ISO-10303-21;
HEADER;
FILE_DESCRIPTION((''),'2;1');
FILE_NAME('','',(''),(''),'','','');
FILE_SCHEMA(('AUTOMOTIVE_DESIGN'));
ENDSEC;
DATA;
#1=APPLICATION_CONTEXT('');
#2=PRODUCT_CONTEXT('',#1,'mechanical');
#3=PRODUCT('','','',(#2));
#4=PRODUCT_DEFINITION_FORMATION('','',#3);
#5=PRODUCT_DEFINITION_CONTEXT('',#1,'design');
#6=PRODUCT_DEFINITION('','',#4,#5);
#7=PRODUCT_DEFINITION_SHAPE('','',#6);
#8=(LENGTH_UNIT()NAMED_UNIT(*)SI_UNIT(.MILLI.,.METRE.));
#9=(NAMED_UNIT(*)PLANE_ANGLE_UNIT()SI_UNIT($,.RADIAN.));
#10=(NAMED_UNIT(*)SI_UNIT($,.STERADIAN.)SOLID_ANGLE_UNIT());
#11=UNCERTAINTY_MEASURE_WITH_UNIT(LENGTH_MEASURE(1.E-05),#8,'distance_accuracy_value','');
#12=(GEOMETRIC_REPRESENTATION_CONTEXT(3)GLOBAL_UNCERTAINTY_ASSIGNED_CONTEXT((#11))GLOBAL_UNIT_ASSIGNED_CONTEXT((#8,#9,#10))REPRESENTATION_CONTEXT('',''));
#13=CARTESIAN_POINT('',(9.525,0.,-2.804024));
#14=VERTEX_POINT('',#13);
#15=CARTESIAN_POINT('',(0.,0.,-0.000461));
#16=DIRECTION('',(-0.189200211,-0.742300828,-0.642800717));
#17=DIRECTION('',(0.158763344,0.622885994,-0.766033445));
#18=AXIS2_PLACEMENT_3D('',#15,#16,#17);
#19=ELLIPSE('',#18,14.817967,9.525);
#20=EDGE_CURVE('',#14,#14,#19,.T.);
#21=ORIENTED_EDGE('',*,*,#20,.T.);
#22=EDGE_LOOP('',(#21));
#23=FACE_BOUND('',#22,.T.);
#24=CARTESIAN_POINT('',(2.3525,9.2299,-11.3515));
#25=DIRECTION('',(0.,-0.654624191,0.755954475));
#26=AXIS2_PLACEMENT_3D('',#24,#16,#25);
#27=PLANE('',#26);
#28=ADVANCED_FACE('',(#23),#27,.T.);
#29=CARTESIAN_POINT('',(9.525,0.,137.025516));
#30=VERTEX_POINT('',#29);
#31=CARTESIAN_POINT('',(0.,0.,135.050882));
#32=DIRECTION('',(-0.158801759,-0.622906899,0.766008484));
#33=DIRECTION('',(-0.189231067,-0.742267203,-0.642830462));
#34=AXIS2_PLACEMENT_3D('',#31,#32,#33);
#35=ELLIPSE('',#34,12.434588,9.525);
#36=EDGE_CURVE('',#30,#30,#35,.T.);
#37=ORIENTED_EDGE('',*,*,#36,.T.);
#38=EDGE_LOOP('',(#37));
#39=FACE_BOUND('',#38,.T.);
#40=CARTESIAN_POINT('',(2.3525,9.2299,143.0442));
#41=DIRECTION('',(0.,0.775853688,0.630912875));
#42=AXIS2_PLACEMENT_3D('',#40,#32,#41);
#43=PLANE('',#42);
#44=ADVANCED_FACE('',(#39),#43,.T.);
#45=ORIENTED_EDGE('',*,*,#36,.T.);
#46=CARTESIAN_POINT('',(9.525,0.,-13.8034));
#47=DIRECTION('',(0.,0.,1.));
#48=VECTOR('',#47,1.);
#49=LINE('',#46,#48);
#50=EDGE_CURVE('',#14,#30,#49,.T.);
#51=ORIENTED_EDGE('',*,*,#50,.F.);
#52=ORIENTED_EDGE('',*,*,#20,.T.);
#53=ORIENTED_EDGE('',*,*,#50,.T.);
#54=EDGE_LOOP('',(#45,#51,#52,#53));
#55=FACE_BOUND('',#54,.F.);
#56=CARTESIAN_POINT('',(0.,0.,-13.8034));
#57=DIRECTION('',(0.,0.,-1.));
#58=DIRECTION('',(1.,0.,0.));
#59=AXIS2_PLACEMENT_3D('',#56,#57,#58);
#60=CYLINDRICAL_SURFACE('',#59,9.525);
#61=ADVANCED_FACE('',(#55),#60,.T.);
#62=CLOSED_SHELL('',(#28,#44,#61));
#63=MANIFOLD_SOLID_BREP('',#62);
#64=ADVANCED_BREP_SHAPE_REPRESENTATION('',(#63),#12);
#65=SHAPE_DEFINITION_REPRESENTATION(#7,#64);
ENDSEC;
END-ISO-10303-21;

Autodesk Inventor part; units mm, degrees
ref_plane "Start Plane" through (0, 0, -13.8034) normal (0, 0, 1) x (1, 0, 0)
ref_plane "End Plane" through (0, 0, 144.7706) normal (0, 0, 1) x (1, 0, 0)
sketch "Sketch" plane through (0, 0, 0) normal (0, 0, 1) x (1, 0, 0)
  circle A0 centre (0, 0) radius 9.525
  dimension "d0" = 19.05
extrude "Body" add sketch "Sketch" along normal up to surface (158.574 mm away) from surface at -13.8034
sketch "Sketch2" plane through (0, 0, 0) normal (0, 0, 1) x (1, 0, 0)
  line L0 (0, 0) -> (10, 0)
ref_plane "Work Plane3" through (0, 0, 0) normal (0, -1, 0) x (1, 0, 0)
ref_plane "Work Plane4" through (2.3525, 9.2299, 143.0442) normal (-0.1588, -0.6229, 0.766) x (0.9857, -0.056, 0.1588)
split "Split1" plane through (2.3525, 9.2299, 143.0442) removes the side toward (-0.1588, -0.6229, 0.766)
ref_plane "Work Plane5" through (2.3525, 9.2299, -11.3515) normal (-0.1892, -0.7423, -0.6428) x (0.8998, -0.3932, 0.1892)
split "Split2" plane through (2.3525, 9.2299, -11.3515) removes the side toward (-0.1892, -0.7423, -0.6428)
sketch "Sketch3" plane through (0, 0, 0) normal (0, -1, 0) x (1, 0, 0)
  line L0 (-2, -13.8034) -> (12, -13.8034) projected
  line L1 (-2, 144.7706) -> (12, 144.7706) projected
  dimension "d7" = 158.574
equation "\"d0\" = Diam"
equation "\"d1\" = G_L"
equation "\"Diam\" = 19.05"
equation "\"G_L\" = 154.39562"
equation "\"G_OFFSET_START\" = 13.80341"
equation "\"G_OFFSET_END\" = 9.71882"
equation "\"d4\" = -G_OFFSET_START"
equation "\"d5\" = G_OFFSET_END + B_L"
equation "\"B_L\" = 135.05174"
properties part number "ANSI/AISC Rolled Steel - 3/4-6.079, RB" material "Steel, Mild"
